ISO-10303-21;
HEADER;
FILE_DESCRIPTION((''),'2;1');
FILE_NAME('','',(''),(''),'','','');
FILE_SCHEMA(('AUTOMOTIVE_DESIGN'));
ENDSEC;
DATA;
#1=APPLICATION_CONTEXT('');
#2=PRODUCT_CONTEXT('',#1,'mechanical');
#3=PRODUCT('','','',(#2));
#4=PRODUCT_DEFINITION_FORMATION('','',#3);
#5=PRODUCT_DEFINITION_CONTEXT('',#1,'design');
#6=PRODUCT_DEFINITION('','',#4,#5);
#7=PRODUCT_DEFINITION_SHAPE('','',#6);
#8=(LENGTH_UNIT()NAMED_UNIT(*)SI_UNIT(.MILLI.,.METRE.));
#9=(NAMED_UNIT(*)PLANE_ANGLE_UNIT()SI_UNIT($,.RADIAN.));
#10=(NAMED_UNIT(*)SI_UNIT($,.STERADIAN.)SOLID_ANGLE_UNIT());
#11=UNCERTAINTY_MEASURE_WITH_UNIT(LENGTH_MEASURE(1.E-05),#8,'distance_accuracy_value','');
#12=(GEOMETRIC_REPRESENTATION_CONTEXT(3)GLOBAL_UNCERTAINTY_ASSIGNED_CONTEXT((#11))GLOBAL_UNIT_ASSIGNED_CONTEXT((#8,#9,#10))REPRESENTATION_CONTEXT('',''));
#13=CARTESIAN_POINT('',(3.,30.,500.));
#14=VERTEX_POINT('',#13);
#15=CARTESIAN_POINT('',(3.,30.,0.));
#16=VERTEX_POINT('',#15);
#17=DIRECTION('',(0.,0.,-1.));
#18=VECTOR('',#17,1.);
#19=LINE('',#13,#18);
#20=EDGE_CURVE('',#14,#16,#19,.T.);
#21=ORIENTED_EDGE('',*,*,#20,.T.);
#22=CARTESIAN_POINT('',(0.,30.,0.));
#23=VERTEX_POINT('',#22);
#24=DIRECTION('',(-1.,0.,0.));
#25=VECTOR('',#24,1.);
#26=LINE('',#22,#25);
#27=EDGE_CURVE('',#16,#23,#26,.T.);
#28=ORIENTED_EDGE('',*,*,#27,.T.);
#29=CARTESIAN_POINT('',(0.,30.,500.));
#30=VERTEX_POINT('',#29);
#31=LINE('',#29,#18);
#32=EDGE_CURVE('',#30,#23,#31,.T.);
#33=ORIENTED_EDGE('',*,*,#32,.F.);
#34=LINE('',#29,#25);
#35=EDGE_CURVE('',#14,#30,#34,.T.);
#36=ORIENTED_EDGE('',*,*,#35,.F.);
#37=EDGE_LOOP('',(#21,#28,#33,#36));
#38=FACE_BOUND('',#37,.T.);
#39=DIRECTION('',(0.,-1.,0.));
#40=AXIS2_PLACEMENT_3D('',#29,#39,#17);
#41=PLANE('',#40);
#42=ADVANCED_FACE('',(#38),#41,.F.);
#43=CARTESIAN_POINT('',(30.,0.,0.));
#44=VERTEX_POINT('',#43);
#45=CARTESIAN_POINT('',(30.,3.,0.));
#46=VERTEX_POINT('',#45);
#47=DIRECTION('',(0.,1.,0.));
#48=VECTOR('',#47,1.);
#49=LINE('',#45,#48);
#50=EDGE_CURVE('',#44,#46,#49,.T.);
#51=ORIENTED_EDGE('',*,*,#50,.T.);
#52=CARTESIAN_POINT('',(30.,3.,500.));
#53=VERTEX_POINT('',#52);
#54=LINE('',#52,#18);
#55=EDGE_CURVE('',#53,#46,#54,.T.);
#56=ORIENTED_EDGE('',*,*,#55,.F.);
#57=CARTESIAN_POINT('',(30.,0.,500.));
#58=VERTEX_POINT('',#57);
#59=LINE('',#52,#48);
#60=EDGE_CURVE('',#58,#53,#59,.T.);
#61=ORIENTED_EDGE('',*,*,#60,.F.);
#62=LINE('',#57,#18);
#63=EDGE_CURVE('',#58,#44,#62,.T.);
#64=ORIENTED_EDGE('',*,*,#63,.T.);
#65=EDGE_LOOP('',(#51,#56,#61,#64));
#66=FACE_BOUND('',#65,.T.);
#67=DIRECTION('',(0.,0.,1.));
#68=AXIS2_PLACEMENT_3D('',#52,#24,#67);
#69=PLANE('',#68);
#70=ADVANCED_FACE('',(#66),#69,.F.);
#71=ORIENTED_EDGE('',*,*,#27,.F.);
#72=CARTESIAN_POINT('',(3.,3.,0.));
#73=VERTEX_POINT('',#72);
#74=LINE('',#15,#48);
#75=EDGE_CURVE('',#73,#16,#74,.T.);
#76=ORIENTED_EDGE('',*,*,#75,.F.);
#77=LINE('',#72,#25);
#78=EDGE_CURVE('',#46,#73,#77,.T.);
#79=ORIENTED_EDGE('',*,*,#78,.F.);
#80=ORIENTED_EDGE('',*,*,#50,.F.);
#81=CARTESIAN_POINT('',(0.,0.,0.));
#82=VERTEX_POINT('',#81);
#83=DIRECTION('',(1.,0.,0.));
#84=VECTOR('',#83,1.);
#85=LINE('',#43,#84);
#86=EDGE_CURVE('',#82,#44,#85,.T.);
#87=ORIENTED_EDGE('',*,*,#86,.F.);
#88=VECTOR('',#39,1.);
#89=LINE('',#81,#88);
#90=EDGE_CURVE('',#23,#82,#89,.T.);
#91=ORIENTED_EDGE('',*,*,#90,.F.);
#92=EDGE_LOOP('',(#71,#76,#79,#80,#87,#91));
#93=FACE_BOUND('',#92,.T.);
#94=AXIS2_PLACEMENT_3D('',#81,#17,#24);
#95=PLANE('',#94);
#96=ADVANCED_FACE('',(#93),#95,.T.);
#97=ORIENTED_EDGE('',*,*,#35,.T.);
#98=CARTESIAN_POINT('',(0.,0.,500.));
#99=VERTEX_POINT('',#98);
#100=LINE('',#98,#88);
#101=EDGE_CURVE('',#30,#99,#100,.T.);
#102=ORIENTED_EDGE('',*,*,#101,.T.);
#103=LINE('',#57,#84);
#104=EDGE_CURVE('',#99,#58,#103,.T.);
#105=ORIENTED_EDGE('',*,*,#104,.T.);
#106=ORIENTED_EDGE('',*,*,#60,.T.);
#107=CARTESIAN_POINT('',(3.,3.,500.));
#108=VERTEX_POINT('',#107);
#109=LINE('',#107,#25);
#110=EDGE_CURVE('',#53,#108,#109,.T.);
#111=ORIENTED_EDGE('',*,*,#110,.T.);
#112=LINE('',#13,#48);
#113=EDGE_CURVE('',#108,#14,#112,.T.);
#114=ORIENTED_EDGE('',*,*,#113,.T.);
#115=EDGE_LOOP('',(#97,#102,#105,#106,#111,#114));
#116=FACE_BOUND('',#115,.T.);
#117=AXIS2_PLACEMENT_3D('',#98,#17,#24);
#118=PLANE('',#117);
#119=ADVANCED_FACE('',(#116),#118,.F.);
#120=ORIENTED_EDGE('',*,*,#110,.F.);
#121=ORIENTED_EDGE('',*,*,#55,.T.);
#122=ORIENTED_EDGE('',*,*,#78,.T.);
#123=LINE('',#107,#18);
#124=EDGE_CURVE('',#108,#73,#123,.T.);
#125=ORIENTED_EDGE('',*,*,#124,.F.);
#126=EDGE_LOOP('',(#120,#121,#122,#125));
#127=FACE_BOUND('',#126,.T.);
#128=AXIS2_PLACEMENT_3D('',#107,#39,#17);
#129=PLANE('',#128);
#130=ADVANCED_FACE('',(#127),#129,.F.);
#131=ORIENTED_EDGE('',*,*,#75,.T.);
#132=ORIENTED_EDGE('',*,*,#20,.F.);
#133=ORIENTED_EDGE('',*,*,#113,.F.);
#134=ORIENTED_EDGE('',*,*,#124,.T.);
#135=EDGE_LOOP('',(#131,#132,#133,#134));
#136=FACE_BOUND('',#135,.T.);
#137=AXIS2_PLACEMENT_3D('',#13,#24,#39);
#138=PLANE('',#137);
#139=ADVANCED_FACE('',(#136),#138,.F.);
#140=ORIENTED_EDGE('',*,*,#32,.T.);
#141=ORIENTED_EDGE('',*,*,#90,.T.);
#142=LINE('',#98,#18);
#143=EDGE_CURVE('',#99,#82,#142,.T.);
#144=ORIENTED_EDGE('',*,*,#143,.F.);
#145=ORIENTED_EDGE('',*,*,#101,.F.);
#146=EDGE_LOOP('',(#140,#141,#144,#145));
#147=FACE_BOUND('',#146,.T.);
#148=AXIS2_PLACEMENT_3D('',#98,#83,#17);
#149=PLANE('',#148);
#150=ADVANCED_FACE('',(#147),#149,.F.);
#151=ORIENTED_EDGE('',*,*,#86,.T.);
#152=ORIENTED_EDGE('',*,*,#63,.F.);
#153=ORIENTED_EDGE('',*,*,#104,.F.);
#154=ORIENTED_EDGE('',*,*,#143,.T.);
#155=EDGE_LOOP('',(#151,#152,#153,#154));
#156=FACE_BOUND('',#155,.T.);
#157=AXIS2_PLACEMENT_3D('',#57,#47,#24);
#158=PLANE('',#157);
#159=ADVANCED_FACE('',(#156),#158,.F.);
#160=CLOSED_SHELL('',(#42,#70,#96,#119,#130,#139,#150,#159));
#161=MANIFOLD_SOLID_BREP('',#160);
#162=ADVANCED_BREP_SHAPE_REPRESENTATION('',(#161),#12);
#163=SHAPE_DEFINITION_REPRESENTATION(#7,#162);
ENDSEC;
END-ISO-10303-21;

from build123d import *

# Parameters (mm, degrees)
BOSS_EXTRUDE1_DEPTH = 500


with BuildPart() as part:
    # Sketch1 → Boss-Extrude1 (new body)
    with BuildSketch(Plane.XY):
        Polygon((0, 0), (0, 30), (3, 30), (3, 3), (30, 3), (30, 0), align=None)
    extrude(amount=BOSS_EXTRUDE1_DEPTH)


solid = part.part
